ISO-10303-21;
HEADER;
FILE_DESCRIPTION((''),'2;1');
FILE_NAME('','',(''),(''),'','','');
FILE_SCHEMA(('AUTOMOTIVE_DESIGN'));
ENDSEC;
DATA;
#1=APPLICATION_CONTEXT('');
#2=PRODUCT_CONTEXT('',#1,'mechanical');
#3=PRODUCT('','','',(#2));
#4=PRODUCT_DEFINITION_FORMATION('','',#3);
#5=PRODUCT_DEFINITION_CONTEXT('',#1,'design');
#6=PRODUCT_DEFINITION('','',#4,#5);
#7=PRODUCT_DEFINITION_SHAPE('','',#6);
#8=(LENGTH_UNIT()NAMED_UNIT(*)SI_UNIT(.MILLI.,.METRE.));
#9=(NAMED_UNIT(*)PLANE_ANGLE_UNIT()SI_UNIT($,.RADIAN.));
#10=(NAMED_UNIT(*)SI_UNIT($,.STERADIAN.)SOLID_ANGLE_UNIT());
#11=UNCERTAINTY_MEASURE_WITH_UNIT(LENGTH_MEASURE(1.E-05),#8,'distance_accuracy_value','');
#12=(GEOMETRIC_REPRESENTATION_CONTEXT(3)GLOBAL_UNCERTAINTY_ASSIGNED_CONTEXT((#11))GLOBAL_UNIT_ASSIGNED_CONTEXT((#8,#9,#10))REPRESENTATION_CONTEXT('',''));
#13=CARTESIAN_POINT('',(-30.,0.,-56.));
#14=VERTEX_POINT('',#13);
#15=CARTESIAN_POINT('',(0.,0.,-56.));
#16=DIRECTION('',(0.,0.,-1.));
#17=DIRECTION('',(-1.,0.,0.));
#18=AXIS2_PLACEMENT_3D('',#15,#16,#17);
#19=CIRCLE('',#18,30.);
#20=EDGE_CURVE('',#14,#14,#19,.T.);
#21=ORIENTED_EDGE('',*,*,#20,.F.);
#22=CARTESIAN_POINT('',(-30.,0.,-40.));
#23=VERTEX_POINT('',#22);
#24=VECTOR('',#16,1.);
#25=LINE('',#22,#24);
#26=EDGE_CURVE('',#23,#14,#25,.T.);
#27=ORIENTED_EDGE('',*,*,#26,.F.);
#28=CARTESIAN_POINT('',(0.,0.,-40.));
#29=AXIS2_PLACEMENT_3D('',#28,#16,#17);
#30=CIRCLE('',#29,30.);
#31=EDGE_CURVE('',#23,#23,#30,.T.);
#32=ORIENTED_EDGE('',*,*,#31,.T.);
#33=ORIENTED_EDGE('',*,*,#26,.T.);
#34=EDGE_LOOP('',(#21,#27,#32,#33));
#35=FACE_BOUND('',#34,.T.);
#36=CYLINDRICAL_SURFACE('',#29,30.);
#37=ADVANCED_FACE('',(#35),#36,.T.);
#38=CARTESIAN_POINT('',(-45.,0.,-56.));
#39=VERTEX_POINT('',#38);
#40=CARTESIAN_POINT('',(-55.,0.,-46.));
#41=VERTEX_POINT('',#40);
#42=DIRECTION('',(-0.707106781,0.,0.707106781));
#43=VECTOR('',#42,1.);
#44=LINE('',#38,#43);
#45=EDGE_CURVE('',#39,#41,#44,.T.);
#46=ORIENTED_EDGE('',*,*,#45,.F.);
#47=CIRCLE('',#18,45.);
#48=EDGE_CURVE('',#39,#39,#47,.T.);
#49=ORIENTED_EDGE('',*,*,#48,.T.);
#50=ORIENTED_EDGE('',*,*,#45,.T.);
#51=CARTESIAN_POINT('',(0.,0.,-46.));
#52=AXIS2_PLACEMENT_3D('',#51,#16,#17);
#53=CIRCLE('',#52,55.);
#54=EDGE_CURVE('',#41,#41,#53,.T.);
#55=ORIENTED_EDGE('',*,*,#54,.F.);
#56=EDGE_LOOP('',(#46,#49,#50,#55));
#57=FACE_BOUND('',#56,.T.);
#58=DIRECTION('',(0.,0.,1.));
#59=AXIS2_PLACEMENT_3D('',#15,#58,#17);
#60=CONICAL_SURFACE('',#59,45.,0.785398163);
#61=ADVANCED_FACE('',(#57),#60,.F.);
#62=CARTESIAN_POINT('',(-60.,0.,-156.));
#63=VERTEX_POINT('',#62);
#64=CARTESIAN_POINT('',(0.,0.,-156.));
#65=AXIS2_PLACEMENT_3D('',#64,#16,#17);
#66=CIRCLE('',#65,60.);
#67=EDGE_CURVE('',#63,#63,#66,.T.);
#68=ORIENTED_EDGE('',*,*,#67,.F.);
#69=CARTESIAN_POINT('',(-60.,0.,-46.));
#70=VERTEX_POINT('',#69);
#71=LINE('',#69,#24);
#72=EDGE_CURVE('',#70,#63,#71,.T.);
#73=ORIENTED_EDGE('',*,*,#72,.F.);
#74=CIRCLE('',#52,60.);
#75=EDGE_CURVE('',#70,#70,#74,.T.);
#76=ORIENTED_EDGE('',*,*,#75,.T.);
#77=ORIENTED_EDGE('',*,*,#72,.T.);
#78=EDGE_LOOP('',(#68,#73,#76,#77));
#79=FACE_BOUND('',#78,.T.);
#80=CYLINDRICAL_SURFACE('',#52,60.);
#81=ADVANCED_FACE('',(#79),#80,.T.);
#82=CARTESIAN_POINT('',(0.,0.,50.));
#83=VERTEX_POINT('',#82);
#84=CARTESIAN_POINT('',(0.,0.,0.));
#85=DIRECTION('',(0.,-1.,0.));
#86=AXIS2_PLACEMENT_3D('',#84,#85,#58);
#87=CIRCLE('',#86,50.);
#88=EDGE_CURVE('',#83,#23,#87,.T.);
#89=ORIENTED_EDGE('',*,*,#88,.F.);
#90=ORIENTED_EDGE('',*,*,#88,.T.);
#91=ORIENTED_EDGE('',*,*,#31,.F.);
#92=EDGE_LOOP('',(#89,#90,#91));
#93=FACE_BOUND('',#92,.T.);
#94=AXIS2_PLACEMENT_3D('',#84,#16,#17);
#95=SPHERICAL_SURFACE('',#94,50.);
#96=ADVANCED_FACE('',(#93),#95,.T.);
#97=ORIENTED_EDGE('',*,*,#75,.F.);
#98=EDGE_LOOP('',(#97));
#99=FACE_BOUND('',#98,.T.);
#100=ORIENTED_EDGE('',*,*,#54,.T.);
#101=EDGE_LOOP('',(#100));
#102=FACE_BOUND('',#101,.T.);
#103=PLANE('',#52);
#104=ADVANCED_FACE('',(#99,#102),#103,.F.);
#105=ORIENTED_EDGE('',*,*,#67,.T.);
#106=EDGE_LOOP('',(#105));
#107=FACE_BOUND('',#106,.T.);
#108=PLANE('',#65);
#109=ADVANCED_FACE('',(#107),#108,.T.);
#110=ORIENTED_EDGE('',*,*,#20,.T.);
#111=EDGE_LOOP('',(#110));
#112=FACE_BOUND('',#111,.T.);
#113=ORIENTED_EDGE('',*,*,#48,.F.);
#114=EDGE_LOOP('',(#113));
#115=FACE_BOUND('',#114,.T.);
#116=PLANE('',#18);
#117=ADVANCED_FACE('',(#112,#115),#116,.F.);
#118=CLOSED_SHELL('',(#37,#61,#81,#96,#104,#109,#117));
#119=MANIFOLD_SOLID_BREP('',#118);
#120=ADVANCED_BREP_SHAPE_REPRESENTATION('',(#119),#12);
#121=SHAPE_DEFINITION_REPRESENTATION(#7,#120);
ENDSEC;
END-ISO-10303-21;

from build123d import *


with BuildPart() as f1:
    # F0 (on Front) → F1 (revolve)
    with BuildSketch(Plane.XZ):
        with BuildLine():
            ThreePointArc((-30, -40), (-15.8113883008, -47.4341649025), (0, -50))
            Line((0, -50), (0, 50))
            ThreePointArc((0, 50), (-47.4341649025, 15.8113883008), (-30, -40))
        make_face()
        with BuildLine():
            Line((0, -56), (0, -50))
            ThreePointArc((0, -50), (-15.8113883008, -47.4341649025), (-30, -40))
            Line((-30, -40), (-30, -56))
            Line((-30, -56), (0, -56))
        make_face()
        Polygon((-60, -56), (-45, -56), (-55, -46), (-60, -46), align=None)
        Polygon((0, -156), (0, -56), (-30, -56), (-45, -56), (-60, -56), (-60, -156), align=None)
    revolve(axis=Axis((0, 0, -3), (0, 0, -1)))


solid = f1.part
